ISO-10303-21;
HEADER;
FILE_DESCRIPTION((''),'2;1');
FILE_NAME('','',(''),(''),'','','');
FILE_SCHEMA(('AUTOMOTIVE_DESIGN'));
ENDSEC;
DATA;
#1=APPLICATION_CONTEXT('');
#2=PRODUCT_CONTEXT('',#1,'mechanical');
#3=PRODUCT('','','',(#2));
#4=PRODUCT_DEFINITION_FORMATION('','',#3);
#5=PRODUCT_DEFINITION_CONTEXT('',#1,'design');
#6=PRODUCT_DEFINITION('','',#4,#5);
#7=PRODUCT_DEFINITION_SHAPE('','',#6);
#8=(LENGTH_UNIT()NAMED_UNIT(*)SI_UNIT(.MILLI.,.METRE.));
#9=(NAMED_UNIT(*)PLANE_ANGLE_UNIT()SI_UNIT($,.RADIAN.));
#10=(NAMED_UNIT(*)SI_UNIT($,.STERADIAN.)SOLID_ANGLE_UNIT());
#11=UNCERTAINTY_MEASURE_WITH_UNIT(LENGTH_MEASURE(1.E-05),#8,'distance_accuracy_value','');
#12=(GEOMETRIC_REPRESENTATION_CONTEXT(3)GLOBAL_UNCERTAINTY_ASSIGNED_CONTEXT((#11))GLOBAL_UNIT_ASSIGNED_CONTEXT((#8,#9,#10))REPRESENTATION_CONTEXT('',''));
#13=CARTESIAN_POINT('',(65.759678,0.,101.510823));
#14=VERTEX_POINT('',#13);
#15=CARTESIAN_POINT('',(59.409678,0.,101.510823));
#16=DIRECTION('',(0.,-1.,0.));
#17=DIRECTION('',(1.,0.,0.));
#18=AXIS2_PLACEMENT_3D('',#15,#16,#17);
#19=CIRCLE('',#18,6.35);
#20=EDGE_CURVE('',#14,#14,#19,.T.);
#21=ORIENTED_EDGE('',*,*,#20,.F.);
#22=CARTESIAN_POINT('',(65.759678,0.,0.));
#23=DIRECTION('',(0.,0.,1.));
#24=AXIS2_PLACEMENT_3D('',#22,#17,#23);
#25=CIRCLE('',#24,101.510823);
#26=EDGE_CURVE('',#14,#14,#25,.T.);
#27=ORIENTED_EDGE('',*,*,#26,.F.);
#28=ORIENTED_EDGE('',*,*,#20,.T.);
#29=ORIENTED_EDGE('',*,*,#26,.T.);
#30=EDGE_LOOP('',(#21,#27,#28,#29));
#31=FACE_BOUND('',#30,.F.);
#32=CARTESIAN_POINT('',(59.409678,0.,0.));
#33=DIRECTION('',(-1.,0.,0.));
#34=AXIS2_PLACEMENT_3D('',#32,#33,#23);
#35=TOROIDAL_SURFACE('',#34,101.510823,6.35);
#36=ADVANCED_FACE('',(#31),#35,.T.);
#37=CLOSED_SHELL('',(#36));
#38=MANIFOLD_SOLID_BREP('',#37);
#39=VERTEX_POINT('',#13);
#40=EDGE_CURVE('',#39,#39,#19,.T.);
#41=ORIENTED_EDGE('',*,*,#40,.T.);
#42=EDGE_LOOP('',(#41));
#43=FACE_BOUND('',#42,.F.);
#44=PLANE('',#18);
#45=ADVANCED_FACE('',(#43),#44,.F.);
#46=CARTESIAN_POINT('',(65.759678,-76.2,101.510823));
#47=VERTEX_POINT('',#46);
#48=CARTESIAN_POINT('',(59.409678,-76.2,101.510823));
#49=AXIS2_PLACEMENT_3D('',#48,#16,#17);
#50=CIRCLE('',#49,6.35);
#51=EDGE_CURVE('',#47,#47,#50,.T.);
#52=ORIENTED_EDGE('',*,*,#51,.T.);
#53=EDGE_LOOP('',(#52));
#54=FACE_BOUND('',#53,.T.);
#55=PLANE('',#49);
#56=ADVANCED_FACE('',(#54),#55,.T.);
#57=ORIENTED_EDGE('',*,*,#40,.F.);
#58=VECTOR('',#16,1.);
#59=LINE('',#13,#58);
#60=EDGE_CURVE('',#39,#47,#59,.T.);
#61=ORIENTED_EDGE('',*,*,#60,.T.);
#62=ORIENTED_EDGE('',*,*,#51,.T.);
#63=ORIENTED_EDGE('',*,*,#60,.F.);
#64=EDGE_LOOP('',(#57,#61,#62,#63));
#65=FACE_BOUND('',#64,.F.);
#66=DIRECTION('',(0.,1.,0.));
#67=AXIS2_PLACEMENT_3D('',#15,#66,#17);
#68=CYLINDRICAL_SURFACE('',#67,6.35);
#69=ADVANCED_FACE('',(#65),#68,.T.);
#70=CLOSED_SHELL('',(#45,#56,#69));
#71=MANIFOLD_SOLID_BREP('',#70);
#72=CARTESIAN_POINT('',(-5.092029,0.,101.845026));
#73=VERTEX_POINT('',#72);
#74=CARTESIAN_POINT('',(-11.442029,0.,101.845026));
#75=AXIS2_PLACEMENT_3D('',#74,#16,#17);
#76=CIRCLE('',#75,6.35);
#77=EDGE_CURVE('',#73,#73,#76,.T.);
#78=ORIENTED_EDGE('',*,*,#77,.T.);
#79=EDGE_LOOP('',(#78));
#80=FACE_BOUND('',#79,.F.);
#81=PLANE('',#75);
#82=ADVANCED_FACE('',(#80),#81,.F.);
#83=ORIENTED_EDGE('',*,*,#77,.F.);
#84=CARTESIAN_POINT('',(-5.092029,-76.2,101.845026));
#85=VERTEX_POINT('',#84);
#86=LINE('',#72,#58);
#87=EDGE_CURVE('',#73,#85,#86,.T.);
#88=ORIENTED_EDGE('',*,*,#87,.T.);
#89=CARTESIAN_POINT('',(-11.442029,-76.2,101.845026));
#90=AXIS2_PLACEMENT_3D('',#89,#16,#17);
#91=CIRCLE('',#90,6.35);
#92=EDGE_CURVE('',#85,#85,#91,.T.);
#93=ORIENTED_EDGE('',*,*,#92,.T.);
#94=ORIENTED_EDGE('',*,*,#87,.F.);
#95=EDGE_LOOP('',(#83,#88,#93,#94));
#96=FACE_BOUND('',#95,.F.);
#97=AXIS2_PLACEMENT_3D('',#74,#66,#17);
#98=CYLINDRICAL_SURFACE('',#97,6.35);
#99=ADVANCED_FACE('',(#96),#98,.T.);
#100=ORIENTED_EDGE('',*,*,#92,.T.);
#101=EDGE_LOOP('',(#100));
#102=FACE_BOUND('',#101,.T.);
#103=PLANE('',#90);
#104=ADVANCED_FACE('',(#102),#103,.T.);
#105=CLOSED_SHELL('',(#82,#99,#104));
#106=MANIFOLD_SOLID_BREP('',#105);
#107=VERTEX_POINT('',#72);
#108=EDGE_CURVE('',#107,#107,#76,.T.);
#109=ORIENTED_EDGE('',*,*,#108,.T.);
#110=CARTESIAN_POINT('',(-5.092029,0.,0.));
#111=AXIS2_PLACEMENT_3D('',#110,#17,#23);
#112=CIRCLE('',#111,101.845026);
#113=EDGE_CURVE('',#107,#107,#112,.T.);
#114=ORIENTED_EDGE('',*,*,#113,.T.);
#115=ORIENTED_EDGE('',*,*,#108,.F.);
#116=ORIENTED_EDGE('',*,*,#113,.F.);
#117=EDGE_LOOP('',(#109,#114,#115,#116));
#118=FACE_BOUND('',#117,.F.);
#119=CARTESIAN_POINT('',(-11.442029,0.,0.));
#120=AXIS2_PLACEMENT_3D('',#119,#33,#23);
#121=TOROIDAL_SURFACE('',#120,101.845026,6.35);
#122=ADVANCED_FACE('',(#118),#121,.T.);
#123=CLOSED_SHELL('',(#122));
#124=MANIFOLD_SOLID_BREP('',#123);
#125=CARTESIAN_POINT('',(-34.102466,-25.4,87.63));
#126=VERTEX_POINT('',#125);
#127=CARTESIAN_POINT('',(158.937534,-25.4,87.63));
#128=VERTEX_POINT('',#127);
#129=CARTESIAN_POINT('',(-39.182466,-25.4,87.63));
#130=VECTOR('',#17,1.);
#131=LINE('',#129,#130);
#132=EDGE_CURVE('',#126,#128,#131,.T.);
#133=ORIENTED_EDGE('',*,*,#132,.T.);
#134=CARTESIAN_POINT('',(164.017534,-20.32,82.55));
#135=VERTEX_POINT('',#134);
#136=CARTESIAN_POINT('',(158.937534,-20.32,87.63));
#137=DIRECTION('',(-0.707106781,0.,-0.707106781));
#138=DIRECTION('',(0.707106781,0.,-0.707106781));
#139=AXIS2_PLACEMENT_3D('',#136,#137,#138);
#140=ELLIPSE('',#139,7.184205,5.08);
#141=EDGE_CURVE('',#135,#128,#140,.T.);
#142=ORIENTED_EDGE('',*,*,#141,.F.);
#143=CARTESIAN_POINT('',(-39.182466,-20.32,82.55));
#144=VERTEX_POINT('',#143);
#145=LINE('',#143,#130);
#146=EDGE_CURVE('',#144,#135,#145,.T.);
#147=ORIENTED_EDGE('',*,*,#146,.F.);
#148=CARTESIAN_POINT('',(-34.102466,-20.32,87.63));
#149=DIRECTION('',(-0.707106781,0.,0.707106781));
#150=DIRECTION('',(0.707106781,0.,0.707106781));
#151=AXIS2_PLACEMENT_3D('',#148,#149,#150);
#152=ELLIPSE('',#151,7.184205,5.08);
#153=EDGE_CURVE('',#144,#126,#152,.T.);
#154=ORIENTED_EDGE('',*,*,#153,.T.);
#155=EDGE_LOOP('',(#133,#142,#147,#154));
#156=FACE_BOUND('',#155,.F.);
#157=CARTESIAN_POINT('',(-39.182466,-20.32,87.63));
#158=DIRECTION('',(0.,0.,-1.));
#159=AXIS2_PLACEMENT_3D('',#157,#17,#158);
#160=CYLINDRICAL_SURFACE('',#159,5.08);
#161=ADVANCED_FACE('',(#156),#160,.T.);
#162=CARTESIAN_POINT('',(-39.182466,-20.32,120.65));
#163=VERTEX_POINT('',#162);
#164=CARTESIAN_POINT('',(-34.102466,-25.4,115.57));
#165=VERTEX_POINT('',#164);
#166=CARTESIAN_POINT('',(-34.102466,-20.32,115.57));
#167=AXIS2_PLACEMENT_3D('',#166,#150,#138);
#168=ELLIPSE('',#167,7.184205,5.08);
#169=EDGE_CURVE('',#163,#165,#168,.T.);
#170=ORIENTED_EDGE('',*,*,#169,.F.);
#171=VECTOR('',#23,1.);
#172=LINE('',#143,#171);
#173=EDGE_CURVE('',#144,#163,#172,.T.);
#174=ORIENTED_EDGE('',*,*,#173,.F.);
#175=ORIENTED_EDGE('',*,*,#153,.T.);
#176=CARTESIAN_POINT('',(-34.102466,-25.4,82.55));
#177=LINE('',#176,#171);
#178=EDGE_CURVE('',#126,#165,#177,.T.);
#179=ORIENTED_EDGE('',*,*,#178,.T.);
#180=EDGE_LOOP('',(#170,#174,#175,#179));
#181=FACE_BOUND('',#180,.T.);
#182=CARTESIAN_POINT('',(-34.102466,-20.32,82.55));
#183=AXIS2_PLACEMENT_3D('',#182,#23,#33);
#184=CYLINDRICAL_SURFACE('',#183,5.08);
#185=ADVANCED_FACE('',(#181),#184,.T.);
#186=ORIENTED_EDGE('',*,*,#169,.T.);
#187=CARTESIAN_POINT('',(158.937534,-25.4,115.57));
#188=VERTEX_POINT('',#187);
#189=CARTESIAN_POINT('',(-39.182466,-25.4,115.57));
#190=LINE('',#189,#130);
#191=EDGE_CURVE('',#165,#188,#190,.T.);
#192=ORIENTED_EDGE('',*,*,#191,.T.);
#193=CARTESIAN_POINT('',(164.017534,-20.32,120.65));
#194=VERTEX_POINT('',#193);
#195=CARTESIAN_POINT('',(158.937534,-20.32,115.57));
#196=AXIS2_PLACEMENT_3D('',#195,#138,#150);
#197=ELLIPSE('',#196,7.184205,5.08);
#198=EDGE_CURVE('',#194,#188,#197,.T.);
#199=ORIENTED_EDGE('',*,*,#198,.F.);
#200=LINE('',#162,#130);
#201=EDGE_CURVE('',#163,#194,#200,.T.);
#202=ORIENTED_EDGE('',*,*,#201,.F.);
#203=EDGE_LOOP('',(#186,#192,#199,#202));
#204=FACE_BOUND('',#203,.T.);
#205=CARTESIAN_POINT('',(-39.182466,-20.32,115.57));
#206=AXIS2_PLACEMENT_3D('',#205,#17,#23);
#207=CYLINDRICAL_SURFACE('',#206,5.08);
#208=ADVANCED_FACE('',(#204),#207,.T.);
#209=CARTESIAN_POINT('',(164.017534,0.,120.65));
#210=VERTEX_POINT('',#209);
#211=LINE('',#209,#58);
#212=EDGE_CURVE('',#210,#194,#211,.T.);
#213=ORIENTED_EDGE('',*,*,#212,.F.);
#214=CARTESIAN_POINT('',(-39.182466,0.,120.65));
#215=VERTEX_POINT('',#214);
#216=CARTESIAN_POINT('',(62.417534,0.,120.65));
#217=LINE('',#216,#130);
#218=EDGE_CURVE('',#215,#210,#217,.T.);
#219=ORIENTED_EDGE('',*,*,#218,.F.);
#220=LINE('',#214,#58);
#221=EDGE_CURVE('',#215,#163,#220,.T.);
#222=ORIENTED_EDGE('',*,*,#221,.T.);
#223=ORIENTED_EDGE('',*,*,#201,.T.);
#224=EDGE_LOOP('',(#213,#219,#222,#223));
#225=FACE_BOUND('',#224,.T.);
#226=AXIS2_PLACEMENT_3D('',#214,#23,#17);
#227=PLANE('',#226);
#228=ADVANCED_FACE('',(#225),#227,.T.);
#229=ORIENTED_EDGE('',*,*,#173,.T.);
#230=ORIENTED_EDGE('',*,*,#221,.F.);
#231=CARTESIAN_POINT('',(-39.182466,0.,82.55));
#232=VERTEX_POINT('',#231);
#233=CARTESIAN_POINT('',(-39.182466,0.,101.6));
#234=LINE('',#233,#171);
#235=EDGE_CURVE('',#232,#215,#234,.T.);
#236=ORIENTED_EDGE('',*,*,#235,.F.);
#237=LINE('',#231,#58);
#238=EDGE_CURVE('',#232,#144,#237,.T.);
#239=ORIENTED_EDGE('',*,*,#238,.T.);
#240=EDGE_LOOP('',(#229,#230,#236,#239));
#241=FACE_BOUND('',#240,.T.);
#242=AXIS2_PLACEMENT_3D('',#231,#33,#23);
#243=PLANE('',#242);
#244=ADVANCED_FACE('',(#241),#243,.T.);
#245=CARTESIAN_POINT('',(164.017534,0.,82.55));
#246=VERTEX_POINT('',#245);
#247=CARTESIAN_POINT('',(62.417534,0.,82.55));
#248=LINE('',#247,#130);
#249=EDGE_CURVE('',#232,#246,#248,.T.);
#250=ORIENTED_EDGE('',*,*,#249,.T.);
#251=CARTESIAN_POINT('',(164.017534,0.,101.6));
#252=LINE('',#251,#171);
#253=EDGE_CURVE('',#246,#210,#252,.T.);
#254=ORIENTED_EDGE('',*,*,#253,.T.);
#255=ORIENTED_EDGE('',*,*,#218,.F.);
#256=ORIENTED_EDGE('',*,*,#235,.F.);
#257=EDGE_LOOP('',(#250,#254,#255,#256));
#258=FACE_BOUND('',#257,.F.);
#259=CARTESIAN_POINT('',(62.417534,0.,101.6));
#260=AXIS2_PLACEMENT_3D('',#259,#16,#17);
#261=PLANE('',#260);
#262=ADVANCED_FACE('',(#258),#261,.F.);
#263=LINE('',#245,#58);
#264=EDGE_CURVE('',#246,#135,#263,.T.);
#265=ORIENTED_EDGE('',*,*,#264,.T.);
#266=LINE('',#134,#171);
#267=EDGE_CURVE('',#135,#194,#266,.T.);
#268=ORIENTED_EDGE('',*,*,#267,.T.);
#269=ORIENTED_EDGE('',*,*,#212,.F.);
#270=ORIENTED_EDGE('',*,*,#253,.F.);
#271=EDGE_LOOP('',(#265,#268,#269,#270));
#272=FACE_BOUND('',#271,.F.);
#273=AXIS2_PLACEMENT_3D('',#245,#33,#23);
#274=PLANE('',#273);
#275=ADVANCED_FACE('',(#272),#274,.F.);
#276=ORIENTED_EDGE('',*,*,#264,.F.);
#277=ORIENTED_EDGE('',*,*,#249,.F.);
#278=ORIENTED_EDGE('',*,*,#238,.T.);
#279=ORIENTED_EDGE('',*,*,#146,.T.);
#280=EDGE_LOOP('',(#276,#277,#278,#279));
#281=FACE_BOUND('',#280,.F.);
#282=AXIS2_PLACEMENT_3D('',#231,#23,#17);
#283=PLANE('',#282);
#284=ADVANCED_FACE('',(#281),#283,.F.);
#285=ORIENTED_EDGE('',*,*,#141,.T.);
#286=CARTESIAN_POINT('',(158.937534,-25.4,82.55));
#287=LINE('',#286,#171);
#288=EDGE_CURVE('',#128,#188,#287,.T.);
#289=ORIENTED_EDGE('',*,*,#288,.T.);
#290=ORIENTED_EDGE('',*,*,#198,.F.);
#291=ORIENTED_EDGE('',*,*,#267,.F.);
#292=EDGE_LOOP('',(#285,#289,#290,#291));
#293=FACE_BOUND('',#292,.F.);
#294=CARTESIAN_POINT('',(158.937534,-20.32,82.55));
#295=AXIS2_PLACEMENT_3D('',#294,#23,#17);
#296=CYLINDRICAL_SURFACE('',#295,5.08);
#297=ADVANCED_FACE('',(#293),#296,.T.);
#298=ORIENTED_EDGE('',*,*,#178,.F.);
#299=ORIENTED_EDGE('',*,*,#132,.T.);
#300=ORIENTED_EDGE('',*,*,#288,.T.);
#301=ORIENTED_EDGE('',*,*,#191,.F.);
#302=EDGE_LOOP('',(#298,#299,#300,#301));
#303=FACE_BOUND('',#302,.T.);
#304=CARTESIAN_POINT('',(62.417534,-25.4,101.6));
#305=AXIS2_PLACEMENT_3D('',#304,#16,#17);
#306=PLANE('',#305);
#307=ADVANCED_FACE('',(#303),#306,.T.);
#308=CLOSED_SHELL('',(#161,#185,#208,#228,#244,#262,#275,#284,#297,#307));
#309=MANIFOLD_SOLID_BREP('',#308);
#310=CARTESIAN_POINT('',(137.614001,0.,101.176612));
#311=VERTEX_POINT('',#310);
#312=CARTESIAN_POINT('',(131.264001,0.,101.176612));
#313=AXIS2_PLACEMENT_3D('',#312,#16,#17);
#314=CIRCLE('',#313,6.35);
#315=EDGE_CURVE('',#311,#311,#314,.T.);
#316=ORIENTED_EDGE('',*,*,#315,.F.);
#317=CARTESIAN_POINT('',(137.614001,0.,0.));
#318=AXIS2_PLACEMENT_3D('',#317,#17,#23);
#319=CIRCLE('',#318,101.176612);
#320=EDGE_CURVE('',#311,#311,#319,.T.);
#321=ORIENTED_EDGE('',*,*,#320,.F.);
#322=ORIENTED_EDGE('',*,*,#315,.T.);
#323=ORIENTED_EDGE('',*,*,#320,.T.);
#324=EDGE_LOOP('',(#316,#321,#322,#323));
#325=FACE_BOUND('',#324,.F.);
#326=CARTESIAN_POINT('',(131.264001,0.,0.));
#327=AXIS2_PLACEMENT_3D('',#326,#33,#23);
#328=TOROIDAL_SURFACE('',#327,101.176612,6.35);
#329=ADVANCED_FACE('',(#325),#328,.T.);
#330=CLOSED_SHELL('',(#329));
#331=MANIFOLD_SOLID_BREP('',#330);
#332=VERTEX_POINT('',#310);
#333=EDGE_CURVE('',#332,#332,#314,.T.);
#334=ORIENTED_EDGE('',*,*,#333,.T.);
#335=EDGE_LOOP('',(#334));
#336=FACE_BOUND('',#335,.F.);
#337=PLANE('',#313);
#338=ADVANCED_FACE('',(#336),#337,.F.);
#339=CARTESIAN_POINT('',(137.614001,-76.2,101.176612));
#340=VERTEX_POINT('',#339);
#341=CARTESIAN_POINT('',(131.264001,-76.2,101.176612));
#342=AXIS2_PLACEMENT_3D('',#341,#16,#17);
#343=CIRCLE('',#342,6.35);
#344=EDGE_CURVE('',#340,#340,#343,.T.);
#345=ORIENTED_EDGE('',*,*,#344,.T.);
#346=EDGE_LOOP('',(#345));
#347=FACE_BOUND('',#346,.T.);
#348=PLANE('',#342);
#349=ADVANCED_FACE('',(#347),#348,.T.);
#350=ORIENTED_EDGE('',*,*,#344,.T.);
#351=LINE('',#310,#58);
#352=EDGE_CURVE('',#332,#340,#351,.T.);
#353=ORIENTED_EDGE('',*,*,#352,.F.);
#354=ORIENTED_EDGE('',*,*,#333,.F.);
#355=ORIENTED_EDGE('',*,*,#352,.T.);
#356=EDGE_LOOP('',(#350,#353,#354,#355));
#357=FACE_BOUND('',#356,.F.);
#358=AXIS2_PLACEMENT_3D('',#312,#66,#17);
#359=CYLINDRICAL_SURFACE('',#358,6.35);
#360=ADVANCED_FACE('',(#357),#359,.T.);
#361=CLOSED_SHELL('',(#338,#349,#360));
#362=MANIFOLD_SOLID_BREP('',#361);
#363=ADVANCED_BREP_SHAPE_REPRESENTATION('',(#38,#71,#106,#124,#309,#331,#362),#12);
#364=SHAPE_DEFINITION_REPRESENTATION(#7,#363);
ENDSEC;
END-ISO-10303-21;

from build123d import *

# Parameters (mm, degrees)
F1_R     = 6.35
F3_DEPTH = 76.2
F0_W     = 203.2
F0_H     = 38.1
F4_DEPTH = 25.4
F5_R     = 5.08


with BuildPart() as f2:
    # F1 (on face) → F2 (revolve)
    with BuildSketch(Plane.XZ):
        with Locations((-11.442029, 101.845026)):
            Circle(F1_R)
        with Locations((59.409678, 101.510823)):
            Circle(F1_R)
        with Locations((131.264001, 101.176612)):
            Circle(F1_R)
    revolve(axis=Axis((0.598207, 0, 0), (1, 0, 0)))


with BuildPart() as f3:
    # F1 (on face) → F3 (new body)
    with BuildSketch(Plane.XZ):
        with Locations((-11.442029, 101.845026)):
            Circle(F1_R)
        with Locations((59.409678, 101.510823)):
            Circle(F1_R)
        with Locations((131.264001, 101.176612)):
            Circle(F1_R)
    extrude(amount=F3_DEPTH)


with BuildPart() as f4:
    # F0 (on Front) → F4 (new body)
    with BuildSketch(Plane.XZ):
        with Locations((62.417534, 101.6)):
            Rectangle(F0_W, F0_H)
    extrude(amount=F4_DEPTH)

    # F5
    f5_edges = [f4.edges().sort_by_distance(p)[0] for p in [
        (62.417534, -25.4, 82.55),
        (164.017534, -25.4, 101.6),
        (62.417534, -25.4, 120.65),
        (-39.182466, -25.4, 101.6),
    ]]
    fillet(f5_edges, radius=F5_R)


solid = Compound([f2.part, f3.part, f4.part])
